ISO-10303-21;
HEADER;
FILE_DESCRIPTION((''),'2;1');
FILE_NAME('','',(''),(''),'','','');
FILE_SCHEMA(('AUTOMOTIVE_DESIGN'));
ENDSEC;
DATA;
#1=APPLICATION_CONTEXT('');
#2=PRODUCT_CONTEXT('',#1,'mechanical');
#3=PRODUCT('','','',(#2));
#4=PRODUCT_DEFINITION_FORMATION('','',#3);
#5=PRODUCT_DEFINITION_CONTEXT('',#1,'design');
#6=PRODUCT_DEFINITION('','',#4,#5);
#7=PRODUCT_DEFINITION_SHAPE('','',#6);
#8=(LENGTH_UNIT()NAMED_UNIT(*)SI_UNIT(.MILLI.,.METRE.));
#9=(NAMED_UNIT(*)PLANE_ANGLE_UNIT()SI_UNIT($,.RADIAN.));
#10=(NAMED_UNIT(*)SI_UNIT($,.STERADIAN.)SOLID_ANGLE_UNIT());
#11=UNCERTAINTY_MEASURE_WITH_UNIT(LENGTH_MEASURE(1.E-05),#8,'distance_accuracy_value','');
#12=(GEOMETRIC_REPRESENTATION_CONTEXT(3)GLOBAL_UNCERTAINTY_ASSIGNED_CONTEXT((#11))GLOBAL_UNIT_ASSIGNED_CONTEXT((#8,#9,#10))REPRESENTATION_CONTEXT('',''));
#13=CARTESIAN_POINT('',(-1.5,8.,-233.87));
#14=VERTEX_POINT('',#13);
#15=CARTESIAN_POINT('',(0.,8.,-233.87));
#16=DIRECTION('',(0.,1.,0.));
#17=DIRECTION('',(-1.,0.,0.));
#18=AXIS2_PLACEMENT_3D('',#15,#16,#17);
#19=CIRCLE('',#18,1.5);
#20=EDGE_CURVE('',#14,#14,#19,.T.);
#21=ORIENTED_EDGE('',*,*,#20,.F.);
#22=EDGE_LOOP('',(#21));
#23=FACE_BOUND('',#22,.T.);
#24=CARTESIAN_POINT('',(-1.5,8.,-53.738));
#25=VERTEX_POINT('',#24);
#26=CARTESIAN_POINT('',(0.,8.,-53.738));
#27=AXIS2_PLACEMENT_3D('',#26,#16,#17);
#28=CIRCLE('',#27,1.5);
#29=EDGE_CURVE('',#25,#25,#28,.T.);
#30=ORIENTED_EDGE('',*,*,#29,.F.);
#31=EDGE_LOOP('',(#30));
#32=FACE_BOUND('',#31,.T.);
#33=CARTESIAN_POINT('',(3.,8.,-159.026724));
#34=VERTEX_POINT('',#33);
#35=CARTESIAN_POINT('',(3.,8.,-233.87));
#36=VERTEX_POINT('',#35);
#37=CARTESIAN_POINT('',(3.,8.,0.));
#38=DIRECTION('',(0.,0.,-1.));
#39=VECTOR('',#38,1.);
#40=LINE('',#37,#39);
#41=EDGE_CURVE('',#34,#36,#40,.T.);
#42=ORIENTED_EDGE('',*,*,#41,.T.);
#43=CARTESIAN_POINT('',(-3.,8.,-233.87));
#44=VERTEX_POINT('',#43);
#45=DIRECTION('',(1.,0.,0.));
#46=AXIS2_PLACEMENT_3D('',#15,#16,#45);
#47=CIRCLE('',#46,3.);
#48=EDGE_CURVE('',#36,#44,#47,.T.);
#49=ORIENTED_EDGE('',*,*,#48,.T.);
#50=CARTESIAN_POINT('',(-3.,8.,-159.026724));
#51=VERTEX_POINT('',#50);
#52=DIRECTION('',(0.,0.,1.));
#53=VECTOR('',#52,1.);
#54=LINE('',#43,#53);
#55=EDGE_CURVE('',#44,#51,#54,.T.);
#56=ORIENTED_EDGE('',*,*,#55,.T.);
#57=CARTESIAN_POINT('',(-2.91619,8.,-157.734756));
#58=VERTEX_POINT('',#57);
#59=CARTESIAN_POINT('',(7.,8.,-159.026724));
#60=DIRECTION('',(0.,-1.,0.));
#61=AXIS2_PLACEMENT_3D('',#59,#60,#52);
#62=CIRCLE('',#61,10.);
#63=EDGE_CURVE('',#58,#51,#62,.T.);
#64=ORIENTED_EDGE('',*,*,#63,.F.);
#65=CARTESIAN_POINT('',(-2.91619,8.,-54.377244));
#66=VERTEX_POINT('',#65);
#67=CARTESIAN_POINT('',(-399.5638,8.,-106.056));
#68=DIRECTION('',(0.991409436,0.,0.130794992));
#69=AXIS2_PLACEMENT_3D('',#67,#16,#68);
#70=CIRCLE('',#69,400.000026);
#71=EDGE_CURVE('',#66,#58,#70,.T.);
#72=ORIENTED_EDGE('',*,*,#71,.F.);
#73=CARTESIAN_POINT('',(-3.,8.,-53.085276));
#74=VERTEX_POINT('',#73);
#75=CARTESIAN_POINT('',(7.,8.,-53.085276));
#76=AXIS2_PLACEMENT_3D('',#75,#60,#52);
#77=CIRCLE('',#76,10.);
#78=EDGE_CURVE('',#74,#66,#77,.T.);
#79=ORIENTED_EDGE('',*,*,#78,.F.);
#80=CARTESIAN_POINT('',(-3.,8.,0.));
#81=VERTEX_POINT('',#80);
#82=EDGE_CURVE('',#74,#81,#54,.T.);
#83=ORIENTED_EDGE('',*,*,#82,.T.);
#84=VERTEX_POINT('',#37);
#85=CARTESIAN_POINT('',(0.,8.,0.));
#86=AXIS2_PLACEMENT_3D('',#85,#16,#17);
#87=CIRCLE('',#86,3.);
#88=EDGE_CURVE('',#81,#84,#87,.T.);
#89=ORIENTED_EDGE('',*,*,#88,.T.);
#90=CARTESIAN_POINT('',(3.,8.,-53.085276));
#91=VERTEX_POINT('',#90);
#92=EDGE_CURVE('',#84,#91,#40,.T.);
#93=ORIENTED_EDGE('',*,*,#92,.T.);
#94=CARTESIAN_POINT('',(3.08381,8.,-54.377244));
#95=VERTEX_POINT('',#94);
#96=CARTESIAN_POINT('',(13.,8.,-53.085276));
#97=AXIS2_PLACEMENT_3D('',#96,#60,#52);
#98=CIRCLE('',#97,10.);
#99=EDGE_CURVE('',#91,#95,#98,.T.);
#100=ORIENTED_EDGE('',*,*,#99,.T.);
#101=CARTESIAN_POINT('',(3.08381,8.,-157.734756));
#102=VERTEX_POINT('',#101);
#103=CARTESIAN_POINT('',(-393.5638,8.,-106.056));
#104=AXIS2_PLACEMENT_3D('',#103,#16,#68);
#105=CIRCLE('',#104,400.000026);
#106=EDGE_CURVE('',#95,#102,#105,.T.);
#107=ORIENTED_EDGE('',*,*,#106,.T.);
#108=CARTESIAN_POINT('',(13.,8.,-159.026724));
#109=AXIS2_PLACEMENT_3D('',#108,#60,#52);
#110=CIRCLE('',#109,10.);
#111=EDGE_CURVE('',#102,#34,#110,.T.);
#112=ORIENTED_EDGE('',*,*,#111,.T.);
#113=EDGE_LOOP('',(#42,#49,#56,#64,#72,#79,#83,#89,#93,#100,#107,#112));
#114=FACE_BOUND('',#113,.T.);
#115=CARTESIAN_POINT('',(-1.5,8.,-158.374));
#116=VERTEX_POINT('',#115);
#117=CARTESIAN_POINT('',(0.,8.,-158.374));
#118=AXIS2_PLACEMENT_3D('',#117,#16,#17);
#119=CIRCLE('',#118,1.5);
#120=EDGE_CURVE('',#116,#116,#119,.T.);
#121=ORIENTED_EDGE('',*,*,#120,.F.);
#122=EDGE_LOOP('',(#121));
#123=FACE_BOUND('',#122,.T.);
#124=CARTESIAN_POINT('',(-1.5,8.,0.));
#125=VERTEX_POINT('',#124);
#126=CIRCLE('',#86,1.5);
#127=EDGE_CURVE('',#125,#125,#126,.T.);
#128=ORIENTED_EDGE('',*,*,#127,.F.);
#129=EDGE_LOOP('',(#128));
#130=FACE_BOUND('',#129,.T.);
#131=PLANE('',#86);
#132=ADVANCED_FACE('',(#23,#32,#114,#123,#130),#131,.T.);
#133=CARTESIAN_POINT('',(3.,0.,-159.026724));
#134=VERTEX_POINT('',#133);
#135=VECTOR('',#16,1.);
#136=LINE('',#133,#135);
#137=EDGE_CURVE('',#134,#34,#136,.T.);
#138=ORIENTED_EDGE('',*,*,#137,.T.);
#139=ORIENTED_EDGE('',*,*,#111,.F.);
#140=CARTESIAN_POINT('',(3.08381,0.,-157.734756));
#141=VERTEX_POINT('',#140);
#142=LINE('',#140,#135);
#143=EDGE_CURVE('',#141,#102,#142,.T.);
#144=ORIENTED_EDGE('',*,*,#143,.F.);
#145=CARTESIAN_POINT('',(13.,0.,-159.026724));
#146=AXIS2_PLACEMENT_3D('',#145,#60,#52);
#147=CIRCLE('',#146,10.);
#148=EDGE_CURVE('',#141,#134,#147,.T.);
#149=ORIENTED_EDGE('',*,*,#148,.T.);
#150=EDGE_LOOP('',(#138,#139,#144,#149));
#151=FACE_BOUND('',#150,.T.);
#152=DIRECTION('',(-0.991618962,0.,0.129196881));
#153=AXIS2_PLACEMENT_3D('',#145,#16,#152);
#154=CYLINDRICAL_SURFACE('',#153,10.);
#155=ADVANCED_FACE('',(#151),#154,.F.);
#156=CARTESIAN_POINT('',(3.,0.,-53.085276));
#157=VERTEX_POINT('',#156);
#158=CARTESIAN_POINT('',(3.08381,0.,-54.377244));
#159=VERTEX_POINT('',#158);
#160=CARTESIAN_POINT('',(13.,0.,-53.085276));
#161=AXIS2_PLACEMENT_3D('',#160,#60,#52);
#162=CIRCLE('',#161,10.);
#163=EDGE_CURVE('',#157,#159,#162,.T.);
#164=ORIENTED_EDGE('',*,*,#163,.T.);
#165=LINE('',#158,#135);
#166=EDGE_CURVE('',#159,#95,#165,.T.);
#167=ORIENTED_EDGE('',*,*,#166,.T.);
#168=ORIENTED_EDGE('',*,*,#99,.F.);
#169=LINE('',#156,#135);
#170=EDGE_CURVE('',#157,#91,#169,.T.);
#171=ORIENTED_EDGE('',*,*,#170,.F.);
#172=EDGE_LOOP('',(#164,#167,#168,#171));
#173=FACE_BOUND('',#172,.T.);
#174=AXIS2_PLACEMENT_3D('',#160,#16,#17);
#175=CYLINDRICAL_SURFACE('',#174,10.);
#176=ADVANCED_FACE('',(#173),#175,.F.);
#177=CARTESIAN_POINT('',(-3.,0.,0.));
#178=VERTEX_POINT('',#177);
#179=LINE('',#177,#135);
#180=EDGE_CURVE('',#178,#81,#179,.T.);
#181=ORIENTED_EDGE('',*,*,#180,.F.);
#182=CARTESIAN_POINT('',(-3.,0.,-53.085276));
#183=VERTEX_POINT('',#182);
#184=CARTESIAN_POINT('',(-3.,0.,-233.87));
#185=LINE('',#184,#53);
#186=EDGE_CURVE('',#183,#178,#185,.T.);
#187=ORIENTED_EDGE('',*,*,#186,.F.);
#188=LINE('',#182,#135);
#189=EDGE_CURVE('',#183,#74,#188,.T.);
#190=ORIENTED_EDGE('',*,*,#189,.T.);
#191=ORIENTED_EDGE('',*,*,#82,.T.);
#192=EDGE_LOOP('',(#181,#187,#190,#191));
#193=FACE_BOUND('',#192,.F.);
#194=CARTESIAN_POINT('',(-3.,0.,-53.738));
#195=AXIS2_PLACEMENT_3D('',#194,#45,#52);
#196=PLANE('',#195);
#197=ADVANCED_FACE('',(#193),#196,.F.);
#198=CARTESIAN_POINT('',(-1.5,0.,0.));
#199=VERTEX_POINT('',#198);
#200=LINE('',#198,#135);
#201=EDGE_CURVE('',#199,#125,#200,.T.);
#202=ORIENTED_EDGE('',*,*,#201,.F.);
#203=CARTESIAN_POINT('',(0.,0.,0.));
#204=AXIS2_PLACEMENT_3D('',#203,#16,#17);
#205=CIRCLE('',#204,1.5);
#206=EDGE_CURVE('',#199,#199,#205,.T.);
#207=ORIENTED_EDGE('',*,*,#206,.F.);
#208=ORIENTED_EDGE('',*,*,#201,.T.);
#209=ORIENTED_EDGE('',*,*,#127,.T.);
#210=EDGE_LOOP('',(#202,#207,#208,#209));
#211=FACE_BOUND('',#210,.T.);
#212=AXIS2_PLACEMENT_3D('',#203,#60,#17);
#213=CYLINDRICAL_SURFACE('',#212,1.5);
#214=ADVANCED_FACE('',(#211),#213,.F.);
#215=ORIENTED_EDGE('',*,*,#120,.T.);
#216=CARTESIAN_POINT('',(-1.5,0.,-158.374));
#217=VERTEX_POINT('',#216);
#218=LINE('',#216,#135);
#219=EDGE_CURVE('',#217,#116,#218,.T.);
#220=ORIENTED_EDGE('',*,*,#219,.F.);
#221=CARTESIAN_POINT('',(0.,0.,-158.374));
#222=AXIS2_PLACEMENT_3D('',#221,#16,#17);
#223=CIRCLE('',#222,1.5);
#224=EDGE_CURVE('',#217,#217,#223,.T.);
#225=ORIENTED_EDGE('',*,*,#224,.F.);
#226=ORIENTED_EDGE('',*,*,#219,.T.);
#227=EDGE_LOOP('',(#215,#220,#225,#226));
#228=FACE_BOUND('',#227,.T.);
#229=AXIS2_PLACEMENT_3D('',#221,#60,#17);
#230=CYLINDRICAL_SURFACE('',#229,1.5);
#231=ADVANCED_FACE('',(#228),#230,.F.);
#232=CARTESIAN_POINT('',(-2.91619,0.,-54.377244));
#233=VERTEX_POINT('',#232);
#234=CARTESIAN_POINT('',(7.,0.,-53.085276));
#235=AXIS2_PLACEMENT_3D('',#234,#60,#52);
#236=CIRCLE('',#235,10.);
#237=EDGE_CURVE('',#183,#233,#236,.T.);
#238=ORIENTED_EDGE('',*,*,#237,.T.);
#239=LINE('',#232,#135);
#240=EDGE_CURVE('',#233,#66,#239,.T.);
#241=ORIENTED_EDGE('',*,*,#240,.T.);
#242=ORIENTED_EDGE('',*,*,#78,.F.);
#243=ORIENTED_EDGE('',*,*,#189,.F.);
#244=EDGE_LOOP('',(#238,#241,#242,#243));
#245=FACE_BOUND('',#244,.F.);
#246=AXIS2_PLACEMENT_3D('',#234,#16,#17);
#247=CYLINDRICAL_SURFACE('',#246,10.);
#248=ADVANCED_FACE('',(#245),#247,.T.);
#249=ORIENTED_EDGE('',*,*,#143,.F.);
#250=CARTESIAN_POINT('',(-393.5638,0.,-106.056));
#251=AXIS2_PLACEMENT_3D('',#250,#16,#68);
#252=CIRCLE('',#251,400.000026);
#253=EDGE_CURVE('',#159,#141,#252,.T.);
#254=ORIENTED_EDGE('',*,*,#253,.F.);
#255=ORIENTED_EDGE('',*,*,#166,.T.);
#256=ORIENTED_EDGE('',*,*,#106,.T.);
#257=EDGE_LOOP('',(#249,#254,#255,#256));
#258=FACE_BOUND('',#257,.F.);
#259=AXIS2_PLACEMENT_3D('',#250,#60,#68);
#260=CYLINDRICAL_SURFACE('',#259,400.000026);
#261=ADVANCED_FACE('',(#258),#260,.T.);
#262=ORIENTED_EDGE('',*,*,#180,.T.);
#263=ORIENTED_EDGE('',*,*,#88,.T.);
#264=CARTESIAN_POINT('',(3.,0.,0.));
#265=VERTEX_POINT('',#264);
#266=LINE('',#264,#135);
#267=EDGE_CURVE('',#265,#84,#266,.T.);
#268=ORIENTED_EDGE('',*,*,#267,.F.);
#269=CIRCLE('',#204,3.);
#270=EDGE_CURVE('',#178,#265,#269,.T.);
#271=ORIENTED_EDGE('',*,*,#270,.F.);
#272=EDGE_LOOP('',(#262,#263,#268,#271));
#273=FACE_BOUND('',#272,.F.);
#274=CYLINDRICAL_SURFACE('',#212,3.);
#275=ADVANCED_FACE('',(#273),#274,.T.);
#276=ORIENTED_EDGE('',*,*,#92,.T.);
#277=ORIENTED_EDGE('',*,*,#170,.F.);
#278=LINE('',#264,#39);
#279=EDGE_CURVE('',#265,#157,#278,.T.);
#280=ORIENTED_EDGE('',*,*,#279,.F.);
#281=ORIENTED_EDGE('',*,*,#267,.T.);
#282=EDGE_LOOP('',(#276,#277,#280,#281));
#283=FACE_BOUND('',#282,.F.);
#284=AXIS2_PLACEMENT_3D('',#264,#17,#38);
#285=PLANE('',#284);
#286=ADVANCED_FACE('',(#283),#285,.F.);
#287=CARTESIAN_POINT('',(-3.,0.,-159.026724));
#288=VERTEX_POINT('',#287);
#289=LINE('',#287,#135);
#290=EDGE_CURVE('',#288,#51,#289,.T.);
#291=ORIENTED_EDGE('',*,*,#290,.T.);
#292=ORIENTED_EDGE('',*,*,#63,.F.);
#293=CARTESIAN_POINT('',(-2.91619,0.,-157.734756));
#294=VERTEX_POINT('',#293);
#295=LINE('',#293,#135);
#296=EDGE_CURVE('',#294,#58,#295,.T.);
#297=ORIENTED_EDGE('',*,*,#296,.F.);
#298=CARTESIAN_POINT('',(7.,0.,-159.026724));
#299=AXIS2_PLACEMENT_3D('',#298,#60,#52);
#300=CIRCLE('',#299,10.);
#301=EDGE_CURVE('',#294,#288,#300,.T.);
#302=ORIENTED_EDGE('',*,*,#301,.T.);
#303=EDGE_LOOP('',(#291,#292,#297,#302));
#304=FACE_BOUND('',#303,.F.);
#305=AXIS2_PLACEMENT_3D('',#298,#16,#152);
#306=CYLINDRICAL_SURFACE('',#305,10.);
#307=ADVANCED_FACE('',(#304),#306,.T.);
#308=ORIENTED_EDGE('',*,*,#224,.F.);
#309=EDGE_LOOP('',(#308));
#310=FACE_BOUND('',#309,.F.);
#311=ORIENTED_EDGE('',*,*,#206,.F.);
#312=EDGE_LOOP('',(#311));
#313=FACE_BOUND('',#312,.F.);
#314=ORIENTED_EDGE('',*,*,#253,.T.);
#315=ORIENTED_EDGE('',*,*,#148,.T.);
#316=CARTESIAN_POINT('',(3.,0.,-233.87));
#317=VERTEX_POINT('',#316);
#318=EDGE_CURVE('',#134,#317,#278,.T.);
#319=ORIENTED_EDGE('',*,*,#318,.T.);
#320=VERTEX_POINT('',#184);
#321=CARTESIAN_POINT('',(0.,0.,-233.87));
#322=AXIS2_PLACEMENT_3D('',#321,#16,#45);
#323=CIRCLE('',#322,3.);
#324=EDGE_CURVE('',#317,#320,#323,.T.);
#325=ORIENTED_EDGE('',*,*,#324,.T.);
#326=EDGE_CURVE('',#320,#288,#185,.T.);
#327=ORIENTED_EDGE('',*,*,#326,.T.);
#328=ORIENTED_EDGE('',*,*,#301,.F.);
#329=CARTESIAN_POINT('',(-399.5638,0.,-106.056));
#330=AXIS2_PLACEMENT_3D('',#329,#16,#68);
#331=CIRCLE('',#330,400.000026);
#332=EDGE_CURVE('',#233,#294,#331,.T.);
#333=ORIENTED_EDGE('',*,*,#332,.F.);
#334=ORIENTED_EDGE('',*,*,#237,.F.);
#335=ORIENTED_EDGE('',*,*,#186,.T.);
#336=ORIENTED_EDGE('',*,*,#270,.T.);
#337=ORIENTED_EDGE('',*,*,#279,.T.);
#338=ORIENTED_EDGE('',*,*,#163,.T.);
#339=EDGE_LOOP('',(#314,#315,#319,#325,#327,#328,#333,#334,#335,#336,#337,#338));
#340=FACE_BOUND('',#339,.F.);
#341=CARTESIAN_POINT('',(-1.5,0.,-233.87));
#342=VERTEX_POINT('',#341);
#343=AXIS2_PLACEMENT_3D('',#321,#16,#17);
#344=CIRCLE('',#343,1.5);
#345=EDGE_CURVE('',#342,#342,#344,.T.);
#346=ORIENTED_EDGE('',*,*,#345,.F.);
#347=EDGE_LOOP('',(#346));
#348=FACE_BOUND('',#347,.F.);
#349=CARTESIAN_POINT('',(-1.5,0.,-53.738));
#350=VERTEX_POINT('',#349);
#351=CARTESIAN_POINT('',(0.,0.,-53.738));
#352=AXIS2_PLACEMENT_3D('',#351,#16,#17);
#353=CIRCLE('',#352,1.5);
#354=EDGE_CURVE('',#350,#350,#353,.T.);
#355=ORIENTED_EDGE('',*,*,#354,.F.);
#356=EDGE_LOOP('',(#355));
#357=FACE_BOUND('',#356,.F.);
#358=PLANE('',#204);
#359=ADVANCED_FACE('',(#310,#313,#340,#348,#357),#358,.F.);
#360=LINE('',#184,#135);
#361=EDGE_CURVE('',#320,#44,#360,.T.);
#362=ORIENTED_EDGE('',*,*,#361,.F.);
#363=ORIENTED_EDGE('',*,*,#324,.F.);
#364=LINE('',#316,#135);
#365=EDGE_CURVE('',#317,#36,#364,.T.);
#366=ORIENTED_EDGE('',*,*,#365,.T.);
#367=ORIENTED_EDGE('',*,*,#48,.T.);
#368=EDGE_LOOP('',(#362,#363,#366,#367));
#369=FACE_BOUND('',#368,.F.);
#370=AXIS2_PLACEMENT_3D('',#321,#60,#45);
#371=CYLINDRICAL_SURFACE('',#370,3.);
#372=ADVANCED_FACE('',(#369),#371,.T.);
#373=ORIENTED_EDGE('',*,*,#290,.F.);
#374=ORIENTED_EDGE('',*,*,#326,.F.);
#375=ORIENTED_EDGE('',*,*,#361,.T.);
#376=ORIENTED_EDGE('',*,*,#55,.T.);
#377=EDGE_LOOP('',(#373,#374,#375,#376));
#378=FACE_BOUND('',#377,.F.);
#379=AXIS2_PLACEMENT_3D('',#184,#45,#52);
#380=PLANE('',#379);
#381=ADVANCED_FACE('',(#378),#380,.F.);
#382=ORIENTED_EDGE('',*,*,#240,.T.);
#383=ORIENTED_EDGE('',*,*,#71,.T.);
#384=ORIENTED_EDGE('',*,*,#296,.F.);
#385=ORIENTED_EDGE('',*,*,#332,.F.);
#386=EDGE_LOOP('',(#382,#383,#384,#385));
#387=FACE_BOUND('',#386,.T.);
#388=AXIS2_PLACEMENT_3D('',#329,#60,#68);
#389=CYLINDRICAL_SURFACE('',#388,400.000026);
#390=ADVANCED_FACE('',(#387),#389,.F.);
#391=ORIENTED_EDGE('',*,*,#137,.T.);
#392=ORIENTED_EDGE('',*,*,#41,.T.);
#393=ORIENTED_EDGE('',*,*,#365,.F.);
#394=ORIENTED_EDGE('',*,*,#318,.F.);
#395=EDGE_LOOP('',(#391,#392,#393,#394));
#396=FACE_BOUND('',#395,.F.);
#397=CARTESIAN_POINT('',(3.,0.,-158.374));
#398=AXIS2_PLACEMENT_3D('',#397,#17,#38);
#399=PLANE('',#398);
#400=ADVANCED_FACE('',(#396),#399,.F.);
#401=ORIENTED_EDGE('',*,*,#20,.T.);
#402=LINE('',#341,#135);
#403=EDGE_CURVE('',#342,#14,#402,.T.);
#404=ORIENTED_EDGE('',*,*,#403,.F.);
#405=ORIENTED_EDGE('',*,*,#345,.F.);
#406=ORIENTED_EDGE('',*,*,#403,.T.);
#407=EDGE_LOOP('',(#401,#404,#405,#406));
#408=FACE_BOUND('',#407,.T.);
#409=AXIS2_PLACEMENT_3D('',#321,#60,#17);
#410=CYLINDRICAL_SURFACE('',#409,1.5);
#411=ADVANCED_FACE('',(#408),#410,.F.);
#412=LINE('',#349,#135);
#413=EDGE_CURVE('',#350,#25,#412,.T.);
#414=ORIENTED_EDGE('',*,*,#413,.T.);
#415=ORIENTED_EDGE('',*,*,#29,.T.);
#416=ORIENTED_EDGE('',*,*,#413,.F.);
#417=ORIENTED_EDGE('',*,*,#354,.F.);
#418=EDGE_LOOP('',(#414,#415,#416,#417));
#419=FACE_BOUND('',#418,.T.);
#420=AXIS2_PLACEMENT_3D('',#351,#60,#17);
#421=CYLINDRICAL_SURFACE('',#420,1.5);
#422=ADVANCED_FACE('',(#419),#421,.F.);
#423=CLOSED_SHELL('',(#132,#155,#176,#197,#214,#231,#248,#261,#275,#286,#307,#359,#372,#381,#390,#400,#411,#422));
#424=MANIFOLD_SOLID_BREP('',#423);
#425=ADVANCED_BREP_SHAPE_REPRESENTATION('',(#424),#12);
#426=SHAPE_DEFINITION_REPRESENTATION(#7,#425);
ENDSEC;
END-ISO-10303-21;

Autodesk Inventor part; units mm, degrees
ref_plane "YZ Plane" through (0, 0, 0) normal (1, 0, 0) x (0, 1, 0)
ref_plane "XZ Plane" through (0, 0, 0) normal (0, 1, 0) x (-1, 0, 0)
ref_plane "XY Plane" through (0, 0, 0) normal (0, 0, 1) x (1, 0, 0)
sketch "Sketch1" plane through (0, 0, 0) normal (0, 1, 0) x (-1, 0, 0)
  line L0 (0, 0) -> (0, -233.87) construction
  line L1 (-3, 0) -> (-3, -233.87)
  line L2 (3, -233.87) -> (3, 0)
  arc A0 (3, 0) -> (-3, 0) centre (0, 0) ccw
  arc A1 (-3, -233.87) -> (3, -233.87) centre (0, -233.87) ccw
  circle A2 centre (0, 0) radius 1.5
  circle A3 centre (0, -233.87) radius 1.5
  circle A4 centre (0, -158.374) radius 1.5
  circle A5 centre (0, -53.738) radius 1.5
  arc A6 (3, -53.738) -> (3, -158.374) centre (399.5638, -106.056) ccw
  arc A7 (-3, -53.738) -> (-3, -158.374) centre (393.5638, -106.056) ccw
  point P0 (0, -116.935)
  dimension "d0" = 233.87
  dimension "d1" = 6
  dimension "d2" = 3
  dimension "d3" = 3
  dimension "d6" = 3
  dimension "d7" = 158.374
  dimension "d8" = 3
  dimension "d9" = 53.738
  dimension "d10" = 400
  dimension "d11" = 400
extrude "Extrusion1" add sketch "Sketch1" along normal blind 8 contours A0 L2 A6 A1 L1 | L1 A7
fillet "Fillet1" radius 10 4 edges at (3, 4, -53.738) (3, 4, -158.374) (-3, 4, -158.374) (-3, 4, -53.738)
sketch "Sketch2" plane through (0, 0, 0) normal (0, -1, 0) x (1, 0, 0)
  arc A0 (-3, -53.0853) -> (-2.9162, -54.3772) centre (7, -53.0853) ccw projected
  arc A1 (-2.9162, -157.7348) -> (-2.9162, -54.3772) centre (-399.5638, -106.056) ccw projected
  arc A2 (-2.9162, -157.7348) -> (-3, -159.0267) centre (7, -159.0267) ccw projected
  line L0 (-3, -233.87) -> (-3, -159.0267) projected
  arc A3 (-3, -233.87) -> (3, -233.87) centre (0, -233.87) ccw projected
  line L1 (3, -159.0267) -> (3, -233.87) projected
  arc A4 (3.0838, -157.7348) -> (3, -159.0267) centre (13, -159.0267) ccw projected
  arc A5 (3.0838, -157.7348) -> (3.0838, -54.3772) centre (-393.5638, -106.056) ccw projected
  arc A6 (3, -53.0853) -> (3.0838, -54.3772) centre (13, -53.0853) ccw projected
  line L2 (3, 0) -> (3, -53.0853) projected
  arc A7 (3, 0) -> (-3, 0) centre (0, 0) ccw projected
  line L3 (-3, -53.0853) -> (-3, 0) projected
  circle A8 centre (0, 0) radius 1.5 projected
  circle A9 centre (0, -233.87) radius 1.5 projected
  circle A10 centre (0, -53.738) radius 1.5 projected
  circle A11 centre (0, -158.374) radius 1.5 projected
